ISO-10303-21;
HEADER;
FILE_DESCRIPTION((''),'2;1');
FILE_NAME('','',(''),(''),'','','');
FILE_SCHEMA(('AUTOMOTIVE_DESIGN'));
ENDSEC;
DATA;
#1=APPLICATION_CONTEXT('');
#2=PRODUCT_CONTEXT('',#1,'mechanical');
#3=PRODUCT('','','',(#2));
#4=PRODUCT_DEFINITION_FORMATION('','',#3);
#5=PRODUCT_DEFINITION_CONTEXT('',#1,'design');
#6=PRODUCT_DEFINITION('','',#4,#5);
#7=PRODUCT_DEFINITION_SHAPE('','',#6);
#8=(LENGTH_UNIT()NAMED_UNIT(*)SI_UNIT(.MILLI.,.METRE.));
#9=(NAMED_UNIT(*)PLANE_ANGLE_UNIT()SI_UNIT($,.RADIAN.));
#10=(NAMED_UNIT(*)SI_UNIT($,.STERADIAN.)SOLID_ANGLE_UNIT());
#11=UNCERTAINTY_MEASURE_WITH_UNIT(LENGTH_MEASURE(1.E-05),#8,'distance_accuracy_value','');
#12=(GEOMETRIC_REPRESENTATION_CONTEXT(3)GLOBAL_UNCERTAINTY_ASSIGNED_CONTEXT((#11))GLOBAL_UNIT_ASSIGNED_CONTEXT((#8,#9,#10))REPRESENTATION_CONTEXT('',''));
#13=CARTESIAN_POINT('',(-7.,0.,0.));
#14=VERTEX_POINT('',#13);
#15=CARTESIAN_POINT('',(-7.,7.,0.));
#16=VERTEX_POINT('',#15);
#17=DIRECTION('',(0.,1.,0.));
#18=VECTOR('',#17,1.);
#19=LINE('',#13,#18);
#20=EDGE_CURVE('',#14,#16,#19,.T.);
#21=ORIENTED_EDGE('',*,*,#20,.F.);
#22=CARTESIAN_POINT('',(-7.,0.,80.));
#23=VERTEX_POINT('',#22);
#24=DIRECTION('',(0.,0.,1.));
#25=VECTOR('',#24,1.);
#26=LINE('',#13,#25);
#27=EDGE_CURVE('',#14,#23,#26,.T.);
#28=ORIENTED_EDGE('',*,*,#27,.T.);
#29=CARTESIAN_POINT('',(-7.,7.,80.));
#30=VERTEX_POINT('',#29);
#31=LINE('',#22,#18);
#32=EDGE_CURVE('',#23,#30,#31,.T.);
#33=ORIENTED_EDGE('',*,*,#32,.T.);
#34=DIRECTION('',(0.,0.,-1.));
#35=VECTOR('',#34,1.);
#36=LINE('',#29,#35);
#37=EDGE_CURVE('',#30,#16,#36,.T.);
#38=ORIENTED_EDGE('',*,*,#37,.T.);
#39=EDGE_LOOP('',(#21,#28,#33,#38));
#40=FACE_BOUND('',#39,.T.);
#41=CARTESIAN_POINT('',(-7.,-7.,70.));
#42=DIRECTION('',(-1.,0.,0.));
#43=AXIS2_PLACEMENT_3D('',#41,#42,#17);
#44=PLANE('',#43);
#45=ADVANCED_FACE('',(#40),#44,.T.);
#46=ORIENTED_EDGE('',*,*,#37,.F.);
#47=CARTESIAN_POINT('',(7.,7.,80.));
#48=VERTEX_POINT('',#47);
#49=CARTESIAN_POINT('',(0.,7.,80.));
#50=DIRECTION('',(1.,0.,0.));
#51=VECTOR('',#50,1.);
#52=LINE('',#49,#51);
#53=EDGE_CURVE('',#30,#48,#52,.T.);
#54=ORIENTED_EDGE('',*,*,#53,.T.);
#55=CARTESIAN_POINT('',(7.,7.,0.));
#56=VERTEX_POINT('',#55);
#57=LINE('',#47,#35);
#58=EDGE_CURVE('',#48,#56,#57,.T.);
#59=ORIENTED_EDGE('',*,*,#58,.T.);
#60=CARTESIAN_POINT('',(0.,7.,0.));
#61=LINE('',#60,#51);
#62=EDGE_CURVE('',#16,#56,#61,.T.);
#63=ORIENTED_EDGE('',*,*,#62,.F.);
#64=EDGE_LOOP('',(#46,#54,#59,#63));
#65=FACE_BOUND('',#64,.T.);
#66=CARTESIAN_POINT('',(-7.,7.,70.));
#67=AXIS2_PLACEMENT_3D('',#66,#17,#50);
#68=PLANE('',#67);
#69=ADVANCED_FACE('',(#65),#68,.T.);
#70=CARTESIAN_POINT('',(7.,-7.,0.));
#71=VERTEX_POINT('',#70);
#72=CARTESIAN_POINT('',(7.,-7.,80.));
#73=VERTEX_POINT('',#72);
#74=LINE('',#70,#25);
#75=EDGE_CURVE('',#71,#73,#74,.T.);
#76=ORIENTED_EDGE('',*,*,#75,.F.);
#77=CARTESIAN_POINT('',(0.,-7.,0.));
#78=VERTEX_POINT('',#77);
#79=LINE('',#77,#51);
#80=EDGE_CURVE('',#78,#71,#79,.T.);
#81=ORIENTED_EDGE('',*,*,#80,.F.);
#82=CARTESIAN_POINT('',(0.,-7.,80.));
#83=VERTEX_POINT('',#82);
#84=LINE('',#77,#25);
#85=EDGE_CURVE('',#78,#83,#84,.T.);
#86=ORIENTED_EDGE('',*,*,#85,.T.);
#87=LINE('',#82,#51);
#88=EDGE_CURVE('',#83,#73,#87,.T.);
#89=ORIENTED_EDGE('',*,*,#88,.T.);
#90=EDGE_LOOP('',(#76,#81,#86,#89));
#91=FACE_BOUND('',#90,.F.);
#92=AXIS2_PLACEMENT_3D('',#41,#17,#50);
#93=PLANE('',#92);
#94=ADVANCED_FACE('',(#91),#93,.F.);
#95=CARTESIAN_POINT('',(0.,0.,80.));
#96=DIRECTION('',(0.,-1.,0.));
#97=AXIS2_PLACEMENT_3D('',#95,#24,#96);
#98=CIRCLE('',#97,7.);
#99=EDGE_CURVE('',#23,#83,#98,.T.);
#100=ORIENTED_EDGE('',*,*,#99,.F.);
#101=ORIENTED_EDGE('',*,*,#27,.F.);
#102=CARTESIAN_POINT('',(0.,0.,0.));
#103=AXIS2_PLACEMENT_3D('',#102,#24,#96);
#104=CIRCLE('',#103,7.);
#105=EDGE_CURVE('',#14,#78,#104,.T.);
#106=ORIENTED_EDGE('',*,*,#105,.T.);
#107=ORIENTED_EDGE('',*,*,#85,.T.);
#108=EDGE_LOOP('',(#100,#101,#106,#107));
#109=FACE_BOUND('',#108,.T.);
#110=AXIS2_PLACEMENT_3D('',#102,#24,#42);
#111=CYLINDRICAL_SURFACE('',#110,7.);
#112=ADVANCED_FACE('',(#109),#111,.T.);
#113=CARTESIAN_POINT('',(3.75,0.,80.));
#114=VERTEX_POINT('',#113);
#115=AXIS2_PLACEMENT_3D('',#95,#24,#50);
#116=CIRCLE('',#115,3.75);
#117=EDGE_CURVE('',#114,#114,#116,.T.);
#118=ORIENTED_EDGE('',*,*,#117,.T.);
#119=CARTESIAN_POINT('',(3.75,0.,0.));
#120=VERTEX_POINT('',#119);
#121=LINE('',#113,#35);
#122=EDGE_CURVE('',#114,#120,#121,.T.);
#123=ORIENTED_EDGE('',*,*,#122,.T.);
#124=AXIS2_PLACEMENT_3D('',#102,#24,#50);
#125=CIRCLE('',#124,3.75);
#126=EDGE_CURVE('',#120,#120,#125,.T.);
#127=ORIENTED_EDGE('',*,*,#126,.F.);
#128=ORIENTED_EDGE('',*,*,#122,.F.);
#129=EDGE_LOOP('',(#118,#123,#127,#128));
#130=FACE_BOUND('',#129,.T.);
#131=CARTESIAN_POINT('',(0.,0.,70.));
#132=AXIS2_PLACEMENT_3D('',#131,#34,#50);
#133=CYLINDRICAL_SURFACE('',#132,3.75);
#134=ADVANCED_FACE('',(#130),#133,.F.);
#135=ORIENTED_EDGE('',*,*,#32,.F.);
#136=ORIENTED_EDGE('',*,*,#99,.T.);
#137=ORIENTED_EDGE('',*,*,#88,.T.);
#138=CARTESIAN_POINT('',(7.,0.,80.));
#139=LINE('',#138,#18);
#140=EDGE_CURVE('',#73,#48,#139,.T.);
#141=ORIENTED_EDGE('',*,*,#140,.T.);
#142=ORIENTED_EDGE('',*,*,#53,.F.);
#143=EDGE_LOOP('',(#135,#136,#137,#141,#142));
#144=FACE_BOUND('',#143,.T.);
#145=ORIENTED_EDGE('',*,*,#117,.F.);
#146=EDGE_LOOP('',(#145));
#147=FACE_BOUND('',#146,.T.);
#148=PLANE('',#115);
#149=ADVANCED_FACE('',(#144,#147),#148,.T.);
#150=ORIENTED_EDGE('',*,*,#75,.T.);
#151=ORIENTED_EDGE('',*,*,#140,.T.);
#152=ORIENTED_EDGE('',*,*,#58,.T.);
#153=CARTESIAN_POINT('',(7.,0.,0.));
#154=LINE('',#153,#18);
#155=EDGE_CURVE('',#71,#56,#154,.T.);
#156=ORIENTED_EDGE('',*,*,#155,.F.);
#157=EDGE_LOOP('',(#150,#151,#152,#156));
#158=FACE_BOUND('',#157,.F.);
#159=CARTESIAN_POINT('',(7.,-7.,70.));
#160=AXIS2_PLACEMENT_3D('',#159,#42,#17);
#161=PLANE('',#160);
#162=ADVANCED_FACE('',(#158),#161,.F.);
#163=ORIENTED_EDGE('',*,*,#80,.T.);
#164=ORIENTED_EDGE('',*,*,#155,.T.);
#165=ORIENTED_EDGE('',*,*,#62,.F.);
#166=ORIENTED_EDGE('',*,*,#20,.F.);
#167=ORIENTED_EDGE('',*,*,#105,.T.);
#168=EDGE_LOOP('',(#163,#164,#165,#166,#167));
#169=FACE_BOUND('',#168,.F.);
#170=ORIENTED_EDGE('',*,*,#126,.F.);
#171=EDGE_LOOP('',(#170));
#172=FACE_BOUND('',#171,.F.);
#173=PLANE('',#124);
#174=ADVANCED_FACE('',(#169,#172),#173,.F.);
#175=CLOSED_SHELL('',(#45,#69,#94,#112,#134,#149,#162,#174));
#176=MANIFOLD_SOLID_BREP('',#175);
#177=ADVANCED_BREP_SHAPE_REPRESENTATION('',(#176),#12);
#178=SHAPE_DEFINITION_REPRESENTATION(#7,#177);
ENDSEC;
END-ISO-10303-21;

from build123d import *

# Parameters (mm, degrees)
F0_W      = 14
F0_H      = 14
F0_R      = 3.75
F1_DEPTH  = 70
F1_FACE_W = 14
F1_FACE_H = 14
F1_FACE_R = 3.75
F2_DEPTH  = 10
F3_R      = 7


with BuildPart() as f1:
    # F0 (on Top) → F1 (new body)
    with BuildSketch(Plane.XY):
        Rectangle(F0_W, F0_H)
        Circle(F0_R, mode=Mode.SUBTRACT)
    extrude(amount=F1_DEPTH)

    # F1_face (on face) → F2 (join)
    with BuildSketch(Plane.XY.offset(70)):
        Rectangle(F1_FACE_W, F1_FACE_H)
        Circle(F1_FACE_R, mode=Mode.SUBTRACT)
    extrude(amount=F2_DEPTH)

    # F3
    f3_edges = [f1.edges().sort_by_distance(p)[0] for p in [
        (-7, -7, 40),
    ]]
    fillet(f3_edges, radius=F3_R)


solid = f1.part
